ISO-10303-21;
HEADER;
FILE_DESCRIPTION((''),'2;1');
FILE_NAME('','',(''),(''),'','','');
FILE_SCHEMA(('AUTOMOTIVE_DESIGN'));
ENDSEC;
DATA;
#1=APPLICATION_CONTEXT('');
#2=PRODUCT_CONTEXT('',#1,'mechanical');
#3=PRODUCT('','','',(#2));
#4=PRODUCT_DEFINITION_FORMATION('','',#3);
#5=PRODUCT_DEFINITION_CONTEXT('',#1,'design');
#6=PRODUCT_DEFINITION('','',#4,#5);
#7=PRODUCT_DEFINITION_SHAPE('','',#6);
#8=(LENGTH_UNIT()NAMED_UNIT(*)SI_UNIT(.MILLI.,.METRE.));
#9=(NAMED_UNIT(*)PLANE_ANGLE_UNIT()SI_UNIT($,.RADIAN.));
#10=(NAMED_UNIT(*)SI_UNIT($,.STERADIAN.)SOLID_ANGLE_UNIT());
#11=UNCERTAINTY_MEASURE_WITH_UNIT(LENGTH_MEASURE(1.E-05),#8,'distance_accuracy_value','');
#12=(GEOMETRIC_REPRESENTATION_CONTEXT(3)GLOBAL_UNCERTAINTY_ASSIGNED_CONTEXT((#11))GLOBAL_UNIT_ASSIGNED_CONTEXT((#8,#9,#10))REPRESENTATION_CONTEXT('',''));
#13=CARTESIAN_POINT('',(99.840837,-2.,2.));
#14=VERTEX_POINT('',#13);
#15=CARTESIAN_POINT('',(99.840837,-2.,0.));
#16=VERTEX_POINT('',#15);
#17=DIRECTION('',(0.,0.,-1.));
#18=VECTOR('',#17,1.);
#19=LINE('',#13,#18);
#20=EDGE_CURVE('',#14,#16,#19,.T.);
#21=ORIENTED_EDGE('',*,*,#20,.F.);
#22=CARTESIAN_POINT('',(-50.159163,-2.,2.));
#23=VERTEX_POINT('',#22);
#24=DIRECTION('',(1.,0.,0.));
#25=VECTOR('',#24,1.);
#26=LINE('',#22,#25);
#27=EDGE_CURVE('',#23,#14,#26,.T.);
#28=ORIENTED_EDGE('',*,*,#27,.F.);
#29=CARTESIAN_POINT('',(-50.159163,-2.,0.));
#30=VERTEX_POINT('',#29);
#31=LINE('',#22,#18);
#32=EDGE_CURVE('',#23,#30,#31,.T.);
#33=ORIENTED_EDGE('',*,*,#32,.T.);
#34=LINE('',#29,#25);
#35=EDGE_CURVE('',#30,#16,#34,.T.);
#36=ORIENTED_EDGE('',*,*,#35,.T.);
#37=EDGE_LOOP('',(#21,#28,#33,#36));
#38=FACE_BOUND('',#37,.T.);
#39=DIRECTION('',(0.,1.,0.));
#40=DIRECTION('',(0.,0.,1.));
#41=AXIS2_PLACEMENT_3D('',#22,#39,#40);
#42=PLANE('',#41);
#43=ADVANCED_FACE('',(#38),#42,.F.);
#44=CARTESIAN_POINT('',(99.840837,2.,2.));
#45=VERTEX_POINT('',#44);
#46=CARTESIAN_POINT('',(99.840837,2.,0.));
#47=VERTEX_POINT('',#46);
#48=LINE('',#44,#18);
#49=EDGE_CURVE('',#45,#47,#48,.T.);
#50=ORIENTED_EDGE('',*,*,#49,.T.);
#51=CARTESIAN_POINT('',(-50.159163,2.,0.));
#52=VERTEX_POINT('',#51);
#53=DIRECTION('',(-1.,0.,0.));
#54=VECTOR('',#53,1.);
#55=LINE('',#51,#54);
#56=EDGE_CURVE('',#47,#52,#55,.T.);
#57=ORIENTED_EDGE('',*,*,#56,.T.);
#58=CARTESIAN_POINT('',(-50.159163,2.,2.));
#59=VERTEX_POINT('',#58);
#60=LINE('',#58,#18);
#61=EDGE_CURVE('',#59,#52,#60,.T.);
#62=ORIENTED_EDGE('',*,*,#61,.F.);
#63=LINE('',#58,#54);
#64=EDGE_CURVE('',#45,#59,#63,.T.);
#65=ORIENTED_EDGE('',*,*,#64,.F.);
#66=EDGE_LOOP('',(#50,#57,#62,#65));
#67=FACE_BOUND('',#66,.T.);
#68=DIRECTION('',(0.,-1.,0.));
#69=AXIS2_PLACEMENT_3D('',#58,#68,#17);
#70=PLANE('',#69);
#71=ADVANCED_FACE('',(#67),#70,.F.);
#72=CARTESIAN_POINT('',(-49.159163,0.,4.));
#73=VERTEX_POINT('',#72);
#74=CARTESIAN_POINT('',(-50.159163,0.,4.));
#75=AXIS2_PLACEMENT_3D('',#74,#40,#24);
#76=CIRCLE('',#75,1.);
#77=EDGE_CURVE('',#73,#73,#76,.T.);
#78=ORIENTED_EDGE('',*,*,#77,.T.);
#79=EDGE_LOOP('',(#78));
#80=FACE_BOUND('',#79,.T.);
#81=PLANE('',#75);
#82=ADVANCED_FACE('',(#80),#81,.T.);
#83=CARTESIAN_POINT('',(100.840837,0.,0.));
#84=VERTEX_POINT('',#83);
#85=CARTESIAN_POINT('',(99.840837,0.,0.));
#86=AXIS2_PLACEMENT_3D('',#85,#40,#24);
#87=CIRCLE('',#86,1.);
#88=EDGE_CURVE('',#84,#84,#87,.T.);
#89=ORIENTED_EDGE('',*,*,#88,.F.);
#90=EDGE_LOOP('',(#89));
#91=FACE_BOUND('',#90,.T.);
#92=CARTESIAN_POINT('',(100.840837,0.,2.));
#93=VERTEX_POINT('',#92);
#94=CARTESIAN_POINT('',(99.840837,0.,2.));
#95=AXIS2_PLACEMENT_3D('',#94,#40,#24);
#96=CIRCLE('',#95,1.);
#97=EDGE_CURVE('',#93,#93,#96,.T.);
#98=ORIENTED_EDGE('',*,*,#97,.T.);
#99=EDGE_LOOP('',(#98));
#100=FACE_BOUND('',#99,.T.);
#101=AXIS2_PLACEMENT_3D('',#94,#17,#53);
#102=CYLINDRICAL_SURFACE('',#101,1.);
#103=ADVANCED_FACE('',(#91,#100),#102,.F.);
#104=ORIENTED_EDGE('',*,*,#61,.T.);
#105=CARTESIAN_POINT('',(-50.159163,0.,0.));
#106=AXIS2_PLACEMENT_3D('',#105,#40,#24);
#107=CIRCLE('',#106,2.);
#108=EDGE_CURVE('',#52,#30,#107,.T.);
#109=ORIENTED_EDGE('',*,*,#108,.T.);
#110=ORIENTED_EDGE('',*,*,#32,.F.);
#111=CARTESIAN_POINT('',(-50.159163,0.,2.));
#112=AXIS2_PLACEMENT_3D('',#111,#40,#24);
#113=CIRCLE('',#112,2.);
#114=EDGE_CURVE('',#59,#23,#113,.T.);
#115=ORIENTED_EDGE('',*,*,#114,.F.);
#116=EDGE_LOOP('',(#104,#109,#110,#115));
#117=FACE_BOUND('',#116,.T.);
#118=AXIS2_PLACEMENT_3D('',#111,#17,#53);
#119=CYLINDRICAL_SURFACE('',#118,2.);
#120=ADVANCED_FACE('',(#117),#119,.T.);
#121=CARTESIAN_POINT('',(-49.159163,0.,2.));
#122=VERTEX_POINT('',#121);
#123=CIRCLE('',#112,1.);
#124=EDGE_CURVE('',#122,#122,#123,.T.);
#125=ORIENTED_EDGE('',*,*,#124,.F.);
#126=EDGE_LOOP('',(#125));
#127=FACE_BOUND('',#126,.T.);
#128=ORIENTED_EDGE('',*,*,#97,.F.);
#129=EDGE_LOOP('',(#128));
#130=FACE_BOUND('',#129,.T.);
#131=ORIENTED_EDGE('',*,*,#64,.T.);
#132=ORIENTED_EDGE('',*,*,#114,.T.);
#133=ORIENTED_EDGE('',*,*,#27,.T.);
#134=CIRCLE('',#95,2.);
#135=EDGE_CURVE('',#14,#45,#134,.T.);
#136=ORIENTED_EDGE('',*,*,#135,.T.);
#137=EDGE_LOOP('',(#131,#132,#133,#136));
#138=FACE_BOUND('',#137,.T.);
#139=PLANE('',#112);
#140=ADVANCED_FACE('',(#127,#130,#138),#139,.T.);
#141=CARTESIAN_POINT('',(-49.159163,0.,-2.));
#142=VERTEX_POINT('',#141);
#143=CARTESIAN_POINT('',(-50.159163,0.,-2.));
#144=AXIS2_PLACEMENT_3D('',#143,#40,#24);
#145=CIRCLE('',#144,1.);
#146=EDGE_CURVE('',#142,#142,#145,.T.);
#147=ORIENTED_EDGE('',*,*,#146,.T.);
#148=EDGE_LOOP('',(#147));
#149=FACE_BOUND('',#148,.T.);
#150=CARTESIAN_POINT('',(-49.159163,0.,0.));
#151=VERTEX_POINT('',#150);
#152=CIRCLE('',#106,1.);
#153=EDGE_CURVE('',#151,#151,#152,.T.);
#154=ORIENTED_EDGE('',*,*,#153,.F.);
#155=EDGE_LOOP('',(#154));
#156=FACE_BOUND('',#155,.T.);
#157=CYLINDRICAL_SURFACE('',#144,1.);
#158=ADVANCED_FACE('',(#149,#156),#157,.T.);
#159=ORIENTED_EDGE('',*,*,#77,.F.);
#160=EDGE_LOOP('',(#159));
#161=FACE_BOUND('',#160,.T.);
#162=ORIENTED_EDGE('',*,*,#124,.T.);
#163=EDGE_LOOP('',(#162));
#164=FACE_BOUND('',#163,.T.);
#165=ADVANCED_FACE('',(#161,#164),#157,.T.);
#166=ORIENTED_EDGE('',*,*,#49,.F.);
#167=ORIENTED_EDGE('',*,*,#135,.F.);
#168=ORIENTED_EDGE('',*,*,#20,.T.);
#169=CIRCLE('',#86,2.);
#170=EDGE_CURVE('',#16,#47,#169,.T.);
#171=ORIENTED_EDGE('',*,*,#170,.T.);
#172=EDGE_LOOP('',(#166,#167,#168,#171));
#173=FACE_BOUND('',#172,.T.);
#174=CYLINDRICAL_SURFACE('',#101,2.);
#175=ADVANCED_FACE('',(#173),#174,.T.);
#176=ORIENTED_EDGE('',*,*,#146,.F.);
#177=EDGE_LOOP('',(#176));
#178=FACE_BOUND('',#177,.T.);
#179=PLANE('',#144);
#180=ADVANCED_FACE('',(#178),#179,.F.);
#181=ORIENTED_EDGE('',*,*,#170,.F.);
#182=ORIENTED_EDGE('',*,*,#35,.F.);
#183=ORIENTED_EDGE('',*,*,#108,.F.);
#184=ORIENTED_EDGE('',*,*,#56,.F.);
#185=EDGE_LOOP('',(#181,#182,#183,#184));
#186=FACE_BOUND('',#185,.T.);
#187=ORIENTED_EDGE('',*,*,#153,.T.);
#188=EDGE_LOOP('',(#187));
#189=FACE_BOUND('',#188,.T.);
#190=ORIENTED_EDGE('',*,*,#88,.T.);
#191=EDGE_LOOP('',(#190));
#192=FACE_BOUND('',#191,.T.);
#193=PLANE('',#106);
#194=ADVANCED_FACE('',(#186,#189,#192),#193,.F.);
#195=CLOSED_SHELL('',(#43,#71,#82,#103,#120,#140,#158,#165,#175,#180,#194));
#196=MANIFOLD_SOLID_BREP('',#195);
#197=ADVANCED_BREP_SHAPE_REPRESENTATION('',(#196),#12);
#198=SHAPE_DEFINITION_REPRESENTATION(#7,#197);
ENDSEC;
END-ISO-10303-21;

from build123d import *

# Parameters (mm, degrees)
SKETCH_1_R           = 1
EXTRUDE_1_DEPTH      = 2
SKETCH_2_R           = 1
EXTRUDE_2_DEPTH      = 2
EXTRUDE_2_DEPTH_BACK = 4


with BuildPart() as part:
    # 草图1 → 凸台-拉伸1 (new body)
    with BuildSketch(Plane.XY):
        with BuildLine():
            Line((-50.159162871, -2), (99.840837129, -2))
            ThreePointArc((99.840837129, -2), (101.840837129, 0), (99.840837129, 2))
            Line((99.840837129, 2), (-50.159162871, 2))
            ThreePointArc((-50.159162871, 2), (-52.159162871, 0), (-50.159162871, -2))
        make_face()
        with Locations((99.840837129, 0)):
            Circle(SKETCH_1_R, mode=Mode.SUBTRACT)
    extrude(amount=EXTRUDE_1_DEPTH)

    # 草图2 → 凸台-拉伸2 (add, two sides)
    with BuildSketch(Plane.XY.offset(2)) as extrude_2_sk:
        with Locations((-50.159162871, 0)):
            Circle(SKETCH_2_R)
    extrude(amount=EXTRUDE_2_DEPTH)
    extrude(extrude_2_sk.sketch, amount=-EXTRUDE_2_DEPTH_BACK)


solid = part.part
